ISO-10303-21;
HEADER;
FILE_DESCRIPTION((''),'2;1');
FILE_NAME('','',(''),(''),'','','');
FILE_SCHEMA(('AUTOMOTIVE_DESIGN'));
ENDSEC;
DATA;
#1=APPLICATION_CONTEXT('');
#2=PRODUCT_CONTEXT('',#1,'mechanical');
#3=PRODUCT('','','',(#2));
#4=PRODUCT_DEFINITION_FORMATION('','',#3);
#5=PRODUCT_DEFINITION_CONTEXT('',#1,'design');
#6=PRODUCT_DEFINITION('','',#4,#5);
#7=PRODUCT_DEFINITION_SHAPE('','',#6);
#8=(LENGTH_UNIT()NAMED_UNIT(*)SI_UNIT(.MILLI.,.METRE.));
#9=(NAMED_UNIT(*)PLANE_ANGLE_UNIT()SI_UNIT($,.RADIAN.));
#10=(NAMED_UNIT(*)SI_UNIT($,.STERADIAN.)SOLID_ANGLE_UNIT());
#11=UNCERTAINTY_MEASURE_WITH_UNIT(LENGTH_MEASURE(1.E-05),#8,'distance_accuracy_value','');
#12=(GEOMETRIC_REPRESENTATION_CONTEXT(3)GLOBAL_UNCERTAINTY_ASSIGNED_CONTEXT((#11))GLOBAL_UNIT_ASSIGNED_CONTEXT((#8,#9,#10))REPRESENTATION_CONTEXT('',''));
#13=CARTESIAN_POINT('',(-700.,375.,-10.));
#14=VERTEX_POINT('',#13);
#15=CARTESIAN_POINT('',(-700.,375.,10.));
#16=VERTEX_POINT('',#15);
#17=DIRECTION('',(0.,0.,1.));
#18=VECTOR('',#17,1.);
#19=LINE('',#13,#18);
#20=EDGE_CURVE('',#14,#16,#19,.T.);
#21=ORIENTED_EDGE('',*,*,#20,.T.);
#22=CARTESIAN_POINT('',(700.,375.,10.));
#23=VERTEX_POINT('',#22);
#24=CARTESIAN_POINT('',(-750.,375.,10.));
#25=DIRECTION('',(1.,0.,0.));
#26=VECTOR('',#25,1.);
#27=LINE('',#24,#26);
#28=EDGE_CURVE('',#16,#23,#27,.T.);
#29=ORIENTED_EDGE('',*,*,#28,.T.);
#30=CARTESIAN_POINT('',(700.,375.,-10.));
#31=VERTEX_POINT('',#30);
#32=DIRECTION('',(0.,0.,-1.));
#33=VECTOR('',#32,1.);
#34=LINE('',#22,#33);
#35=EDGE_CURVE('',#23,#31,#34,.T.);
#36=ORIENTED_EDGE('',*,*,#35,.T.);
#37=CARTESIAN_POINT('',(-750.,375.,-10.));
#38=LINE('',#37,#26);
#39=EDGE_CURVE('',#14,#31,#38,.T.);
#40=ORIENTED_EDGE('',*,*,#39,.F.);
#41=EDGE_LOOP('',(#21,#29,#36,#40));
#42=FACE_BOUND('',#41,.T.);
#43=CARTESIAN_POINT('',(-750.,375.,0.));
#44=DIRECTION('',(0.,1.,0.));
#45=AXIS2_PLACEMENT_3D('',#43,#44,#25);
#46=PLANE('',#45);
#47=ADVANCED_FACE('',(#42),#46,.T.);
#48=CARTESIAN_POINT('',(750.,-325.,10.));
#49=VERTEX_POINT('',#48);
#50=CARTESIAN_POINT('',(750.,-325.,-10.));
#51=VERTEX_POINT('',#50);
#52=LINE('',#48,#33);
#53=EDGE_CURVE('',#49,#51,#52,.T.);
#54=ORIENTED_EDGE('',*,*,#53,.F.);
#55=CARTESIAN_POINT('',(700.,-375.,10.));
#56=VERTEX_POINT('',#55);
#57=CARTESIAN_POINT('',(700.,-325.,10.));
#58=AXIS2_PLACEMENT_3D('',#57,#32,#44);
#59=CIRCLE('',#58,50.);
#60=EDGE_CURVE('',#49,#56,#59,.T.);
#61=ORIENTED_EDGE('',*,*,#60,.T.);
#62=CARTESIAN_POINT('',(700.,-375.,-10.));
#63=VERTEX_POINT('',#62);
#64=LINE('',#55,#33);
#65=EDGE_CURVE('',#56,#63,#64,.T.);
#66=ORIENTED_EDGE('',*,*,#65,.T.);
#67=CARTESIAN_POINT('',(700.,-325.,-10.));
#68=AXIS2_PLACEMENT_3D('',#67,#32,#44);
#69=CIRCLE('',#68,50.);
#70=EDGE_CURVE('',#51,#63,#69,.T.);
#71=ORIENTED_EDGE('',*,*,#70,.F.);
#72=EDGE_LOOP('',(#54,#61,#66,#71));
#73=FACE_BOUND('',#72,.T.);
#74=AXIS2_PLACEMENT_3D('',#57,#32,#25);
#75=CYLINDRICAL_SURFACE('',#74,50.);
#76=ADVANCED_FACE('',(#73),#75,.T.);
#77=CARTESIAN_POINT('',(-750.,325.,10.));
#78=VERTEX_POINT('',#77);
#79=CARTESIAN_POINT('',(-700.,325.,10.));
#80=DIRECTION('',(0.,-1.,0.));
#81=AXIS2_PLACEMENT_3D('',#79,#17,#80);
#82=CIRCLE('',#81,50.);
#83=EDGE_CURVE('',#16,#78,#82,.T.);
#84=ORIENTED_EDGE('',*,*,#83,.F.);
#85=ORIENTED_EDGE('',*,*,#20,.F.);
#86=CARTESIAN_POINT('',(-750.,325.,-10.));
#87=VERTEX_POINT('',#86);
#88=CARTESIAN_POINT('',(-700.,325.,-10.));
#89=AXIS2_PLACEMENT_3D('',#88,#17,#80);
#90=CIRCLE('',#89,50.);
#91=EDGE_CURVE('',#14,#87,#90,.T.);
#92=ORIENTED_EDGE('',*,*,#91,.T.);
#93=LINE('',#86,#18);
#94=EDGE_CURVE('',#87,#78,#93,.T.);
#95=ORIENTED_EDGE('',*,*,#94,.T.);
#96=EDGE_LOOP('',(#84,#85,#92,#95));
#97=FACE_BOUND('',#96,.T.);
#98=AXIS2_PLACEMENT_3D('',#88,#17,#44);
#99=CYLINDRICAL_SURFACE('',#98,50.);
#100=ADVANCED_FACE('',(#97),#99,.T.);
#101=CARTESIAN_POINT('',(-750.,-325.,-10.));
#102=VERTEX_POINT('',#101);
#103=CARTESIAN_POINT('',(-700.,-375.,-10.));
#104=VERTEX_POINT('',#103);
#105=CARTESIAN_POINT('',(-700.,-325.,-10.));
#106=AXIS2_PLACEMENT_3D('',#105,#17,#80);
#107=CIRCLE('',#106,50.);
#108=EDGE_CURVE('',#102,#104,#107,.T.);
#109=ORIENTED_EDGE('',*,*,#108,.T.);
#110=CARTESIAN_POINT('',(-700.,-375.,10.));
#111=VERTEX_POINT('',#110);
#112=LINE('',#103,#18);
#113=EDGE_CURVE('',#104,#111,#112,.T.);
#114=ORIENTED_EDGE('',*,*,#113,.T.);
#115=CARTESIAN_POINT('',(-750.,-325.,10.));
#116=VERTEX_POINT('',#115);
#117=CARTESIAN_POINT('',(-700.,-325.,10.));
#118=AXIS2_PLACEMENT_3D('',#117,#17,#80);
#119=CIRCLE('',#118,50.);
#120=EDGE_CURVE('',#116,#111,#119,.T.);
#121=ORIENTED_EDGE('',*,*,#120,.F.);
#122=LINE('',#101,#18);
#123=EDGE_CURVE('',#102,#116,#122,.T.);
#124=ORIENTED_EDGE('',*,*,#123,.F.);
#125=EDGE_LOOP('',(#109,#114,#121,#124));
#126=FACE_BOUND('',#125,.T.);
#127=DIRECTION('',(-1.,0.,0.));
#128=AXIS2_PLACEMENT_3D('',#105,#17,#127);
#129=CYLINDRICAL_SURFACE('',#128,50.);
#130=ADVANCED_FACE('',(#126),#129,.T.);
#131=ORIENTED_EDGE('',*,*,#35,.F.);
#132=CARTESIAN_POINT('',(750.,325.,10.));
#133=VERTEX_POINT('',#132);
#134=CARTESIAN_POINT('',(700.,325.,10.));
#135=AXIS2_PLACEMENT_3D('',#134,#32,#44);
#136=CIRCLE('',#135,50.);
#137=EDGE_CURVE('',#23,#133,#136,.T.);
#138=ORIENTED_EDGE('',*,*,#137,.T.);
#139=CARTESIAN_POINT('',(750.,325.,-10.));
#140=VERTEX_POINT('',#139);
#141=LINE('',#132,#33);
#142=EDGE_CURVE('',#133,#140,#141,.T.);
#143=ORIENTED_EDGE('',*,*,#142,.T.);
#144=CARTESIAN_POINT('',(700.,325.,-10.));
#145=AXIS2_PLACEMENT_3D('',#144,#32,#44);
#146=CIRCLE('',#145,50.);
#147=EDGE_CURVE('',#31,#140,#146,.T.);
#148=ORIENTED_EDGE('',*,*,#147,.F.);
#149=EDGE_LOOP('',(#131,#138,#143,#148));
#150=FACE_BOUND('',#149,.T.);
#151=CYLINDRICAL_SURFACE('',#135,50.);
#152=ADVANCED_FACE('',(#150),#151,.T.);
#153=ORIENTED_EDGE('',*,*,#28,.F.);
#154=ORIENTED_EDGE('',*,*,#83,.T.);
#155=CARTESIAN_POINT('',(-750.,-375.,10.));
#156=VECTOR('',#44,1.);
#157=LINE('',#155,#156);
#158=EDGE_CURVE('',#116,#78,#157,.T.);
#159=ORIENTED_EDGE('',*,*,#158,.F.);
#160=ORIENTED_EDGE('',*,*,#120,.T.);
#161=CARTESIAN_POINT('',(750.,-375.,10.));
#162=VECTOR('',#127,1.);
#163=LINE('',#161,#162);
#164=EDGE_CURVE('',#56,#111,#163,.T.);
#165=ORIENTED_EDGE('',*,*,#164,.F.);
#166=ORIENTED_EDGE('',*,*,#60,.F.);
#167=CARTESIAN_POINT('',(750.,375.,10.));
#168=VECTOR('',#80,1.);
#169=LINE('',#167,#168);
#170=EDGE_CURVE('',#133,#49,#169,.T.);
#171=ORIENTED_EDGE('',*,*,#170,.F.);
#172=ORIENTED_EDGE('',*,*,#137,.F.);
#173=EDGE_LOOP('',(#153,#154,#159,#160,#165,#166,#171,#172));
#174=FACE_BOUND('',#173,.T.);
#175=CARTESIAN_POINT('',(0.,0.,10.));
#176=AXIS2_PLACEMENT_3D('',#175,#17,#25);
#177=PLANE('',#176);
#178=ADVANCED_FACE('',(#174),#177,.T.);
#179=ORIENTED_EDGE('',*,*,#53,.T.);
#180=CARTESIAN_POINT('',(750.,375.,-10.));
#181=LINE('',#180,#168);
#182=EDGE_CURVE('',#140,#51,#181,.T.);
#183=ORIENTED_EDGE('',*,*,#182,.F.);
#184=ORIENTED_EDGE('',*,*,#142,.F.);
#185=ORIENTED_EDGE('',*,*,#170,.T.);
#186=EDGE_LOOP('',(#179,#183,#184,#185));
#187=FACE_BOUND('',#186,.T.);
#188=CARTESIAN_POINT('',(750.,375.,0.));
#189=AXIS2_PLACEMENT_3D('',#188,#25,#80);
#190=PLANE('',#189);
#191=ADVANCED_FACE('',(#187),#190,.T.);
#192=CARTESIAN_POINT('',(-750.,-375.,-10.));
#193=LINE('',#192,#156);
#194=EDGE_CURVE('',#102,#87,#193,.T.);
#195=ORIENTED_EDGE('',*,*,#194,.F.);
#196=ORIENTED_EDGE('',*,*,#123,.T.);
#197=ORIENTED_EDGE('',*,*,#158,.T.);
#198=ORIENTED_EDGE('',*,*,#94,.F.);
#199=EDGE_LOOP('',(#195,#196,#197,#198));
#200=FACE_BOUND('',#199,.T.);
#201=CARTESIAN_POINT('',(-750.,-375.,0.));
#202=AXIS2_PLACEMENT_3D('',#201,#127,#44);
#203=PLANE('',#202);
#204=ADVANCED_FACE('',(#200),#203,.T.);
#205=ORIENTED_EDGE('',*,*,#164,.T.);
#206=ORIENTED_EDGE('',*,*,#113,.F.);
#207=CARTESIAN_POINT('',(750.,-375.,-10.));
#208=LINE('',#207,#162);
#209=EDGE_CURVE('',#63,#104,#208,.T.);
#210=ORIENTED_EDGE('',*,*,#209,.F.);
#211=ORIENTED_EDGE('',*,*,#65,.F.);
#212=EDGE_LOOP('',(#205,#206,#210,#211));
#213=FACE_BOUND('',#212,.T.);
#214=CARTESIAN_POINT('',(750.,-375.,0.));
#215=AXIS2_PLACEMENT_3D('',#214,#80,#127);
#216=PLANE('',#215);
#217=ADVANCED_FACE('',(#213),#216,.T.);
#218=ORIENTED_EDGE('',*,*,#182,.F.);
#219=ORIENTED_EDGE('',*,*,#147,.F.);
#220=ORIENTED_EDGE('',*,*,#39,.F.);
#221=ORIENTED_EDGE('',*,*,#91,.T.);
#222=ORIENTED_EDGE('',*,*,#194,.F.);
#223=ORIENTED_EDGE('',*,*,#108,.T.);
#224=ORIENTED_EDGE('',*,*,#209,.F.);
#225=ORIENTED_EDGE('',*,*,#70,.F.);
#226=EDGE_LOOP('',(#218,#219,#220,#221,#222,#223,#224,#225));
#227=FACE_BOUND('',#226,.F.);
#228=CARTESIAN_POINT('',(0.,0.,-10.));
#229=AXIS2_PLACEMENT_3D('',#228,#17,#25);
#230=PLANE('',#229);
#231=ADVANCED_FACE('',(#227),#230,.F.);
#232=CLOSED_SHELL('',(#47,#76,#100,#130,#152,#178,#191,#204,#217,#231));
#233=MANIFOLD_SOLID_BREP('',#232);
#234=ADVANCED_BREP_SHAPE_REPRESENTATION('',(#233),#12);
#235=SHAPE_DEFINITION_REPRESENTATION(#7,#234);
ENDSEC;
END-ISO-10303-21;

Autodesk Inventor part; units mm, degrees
sketch "Sketch1" plane through (0, 0, 0) normal (0, 0, 1) x (1, 0, 0)
  line L0 (-750, 375) -> (750, 375)
  line L1 (750, 375) -> (750, -375)
  line L2 (750, -375) -> (-750, -375)
  line L3 (-750, -375) -> (-750, 375)
  line L4 (-750, 375) -> (750, -375) construction
  line L5 (750, 375) -> (-750, -375) construction
  point P0 (0, 0)
  dimension "d0" = 1500
  dimension "d1" = 750
extrude "Extrusion1" add sketch "Sketch1" along normal mid plane 20
fillet "Fillet1" radius 50 4 edges at (-750, 375, 0) (750, 375, 0) (750, -375, 0) (-750, -375, 0)
equation "\"BendRadius\" = Thickness"
equation "\"BendReliefWidth\" = Thickness"
equation "\"BendReliefDepth\" = 0.5 * Thickness"
equation "\"CornerReliefSize\" = 4 * Thickness"
equation "\"MinimumRemnant\" = 2 * Thickness"
equation "\"TransitionRadius\" = BendRadius"
equation "\"JacobiRadiusSize\" = BendRadius"
equation "\"GapSize\" = Thickness"
equation "\"Thickness\" = 3.048"
properties part number "Sessao_28_03_001_001" material "Steel, Galvanized"
